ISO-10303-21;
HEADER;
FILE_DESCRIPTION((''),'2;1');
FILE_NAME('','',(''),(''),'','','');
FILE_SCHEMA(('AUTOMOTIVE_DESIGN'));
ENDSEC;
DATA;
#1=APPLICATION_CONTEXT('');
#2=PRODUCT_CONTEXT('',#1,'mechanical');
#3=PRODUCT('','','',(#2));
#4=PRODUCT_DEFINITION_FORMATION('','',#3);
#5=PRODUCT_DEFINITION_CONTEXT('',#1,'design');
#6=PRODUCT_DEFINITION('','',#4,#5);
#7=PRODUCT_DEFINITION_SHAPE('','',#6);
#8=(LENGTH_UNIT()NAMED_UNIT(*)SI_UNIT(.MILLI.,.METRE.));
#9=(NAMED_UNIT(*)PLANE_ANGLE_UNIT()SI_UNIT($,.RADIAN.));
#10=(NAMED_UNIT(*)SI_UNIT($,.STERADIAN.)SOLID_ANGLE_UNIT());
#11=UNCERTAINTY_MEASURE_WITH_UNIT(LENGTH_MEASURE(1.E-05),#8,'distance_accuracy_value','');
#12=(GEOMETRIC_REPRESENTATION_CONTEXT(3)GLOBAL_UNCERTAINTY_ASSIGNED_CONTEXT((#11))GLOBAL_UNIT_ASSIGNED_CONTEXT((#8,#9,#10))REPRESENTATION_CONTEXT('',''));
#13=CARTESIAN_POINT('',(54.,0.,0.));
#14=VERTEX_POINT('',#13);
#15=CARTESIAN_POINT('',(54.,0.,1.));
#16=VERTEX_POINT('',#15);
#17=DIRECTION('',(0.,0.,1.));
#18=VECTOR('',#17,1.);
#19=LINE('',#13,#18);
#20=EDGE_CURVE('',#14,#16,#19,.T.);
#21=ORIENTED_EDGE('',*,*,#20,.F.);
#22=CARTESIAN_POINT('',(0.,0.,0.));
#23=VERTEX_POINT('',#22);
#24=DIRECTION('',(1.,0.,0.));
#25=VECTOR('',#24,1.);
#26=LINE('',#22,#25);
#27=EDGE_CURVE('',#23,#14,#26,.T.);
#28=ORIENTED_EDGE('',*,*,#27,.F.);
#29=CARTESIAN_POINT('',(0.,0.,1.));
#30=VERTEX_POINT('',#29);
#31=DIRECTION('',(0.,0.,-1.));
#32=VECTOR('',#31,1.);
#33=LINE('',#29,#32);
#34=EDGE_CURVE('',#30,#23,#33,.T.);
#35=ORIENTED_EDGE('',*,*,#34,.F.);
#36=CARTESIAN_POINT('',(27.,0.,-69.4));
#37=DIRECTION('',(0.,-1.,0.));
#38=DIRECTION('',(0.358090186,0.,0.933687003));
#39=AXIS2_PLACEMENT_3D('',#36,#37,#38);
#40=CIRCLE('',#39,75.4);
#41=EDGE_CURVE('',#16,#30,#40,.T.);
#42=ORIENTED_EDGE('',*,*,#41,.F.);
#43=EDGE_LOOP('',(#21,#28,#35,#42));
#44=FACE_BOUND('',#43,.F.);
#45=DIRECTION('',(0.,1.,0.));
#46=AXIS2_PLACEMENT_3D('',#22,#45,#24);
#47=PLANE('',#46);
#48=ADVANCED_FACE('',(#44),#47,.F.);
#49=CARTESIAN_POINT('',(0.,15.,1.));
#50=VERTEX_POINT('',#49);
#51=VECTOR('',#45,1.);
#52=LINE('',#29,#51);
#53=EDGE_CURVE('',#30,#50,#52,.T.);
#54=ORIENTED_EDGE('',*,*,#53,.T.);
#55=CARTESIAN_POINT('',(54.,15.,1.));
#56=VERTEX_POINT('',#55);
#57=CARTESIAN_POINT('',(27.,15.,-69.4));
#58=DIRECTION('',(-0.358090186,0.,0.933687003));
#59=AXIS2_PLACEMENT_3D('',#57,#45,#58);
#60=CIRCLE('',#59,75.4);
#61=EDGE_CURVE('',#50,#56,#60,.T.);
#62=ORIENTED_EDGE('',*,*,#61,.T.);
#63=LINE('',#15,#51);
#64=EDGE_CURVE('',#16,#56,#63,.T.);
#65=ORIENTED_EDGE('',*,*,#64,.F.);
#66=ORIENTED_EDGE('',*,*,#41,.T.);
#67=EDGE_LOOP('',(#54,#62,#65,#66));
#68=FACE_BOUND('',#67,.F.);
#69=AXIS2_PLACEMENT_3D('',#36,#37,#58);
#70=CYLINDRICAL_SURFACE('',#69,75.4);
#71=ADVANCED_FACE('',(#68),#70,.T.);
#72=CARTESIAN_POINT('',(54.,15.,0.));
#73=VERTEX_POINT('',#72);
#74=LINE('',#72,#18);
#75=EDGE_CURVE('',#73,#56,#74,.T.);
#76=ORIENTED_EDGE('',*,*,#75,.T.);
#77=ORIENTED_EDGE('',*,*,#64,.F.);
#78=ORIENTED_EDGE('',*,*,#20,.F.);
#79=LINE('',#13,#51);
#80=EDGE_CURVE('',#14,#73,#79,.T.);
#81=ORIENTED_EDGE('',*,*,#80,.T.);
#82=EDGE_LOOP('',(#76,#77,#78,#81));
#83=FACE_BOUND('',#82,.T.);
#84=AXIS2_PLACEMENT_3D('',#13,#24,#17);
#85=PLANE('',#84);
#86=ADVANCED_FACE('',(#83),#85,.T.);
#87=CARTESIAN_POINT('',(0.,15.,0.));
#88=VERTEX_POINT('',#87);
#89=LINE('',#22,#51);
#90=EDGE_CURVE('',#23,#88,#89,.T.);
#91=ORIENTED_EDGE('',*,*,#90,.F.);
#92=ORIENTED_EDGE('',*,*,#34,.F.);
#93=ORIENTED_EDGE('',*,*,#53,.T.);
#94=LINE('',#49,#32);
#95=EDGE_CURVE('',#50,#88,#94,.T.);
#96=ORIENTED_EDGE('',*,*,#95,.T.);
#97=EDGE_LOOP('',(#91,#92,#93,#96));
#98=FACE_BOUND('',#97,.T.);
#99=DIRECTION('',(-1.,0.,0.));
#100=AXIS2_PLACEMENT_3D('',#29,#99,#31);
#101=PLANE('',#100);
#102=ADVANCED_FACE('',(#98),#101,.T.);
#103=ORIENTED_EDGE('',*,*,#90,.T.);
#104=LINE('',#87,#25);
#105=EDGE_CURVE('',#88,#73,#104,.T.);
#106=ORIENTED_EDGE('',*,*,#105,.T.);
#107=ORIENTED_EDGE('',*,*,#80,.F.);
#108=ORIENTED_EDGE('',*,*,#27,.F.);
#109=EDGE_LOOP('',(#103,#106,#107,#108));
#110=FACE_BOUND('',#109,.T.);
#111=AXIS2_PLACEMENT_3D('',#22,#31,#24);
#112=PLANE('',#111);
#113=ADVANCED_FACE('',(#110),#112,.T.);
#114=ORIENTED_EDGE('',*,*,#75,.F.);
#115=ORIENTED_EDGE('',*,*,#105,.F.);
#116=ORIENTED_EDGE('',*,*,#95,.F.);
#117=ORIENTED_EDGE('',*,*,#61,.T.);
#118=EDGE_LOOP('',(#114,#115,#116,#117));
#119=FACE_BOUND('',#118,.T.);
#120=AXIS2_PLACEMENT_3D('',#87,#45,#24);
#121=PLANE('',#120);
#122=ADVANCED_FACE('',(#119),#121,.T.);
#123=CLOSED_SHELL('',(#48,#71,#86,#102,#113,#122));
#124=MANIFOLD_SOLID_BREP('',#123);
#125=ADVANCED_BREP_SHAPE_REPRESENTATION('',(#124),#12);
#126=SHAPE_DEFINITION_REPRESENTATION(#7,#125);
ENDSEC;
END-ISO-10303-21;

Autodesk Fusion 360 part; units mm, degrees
sketch "Sketch1" plane through (0, 0, 0) normal (0, 1, 0) x (1, 0, 0)
  line L0 (0, 0) -> (54, 0)
  line L1 (54, 0) -> (54, -1)
  line L2 (54, -1) -> (0, -1)
  line L3 (0, -1) -> (0, 0)
  line L4 (0, -1) -> (54, -1)
  line L5 (54, -1) -> (54, -6)
  line L6 (54, -6) -> (0, -6)
  line L7 (0, -6) -> (0, -1)
  arc A0 (0, -1) -> (54, -1) centre (27, 69.4) ccw
  dimension "d1" = 54
  dimension "d2" = 1
  dimension "d3" = 5
extrude "Extrude1" add sketch "Sketch1" along normal blind 15 contours L0 L1 L2 L3 L4 | L2 L4 A0
